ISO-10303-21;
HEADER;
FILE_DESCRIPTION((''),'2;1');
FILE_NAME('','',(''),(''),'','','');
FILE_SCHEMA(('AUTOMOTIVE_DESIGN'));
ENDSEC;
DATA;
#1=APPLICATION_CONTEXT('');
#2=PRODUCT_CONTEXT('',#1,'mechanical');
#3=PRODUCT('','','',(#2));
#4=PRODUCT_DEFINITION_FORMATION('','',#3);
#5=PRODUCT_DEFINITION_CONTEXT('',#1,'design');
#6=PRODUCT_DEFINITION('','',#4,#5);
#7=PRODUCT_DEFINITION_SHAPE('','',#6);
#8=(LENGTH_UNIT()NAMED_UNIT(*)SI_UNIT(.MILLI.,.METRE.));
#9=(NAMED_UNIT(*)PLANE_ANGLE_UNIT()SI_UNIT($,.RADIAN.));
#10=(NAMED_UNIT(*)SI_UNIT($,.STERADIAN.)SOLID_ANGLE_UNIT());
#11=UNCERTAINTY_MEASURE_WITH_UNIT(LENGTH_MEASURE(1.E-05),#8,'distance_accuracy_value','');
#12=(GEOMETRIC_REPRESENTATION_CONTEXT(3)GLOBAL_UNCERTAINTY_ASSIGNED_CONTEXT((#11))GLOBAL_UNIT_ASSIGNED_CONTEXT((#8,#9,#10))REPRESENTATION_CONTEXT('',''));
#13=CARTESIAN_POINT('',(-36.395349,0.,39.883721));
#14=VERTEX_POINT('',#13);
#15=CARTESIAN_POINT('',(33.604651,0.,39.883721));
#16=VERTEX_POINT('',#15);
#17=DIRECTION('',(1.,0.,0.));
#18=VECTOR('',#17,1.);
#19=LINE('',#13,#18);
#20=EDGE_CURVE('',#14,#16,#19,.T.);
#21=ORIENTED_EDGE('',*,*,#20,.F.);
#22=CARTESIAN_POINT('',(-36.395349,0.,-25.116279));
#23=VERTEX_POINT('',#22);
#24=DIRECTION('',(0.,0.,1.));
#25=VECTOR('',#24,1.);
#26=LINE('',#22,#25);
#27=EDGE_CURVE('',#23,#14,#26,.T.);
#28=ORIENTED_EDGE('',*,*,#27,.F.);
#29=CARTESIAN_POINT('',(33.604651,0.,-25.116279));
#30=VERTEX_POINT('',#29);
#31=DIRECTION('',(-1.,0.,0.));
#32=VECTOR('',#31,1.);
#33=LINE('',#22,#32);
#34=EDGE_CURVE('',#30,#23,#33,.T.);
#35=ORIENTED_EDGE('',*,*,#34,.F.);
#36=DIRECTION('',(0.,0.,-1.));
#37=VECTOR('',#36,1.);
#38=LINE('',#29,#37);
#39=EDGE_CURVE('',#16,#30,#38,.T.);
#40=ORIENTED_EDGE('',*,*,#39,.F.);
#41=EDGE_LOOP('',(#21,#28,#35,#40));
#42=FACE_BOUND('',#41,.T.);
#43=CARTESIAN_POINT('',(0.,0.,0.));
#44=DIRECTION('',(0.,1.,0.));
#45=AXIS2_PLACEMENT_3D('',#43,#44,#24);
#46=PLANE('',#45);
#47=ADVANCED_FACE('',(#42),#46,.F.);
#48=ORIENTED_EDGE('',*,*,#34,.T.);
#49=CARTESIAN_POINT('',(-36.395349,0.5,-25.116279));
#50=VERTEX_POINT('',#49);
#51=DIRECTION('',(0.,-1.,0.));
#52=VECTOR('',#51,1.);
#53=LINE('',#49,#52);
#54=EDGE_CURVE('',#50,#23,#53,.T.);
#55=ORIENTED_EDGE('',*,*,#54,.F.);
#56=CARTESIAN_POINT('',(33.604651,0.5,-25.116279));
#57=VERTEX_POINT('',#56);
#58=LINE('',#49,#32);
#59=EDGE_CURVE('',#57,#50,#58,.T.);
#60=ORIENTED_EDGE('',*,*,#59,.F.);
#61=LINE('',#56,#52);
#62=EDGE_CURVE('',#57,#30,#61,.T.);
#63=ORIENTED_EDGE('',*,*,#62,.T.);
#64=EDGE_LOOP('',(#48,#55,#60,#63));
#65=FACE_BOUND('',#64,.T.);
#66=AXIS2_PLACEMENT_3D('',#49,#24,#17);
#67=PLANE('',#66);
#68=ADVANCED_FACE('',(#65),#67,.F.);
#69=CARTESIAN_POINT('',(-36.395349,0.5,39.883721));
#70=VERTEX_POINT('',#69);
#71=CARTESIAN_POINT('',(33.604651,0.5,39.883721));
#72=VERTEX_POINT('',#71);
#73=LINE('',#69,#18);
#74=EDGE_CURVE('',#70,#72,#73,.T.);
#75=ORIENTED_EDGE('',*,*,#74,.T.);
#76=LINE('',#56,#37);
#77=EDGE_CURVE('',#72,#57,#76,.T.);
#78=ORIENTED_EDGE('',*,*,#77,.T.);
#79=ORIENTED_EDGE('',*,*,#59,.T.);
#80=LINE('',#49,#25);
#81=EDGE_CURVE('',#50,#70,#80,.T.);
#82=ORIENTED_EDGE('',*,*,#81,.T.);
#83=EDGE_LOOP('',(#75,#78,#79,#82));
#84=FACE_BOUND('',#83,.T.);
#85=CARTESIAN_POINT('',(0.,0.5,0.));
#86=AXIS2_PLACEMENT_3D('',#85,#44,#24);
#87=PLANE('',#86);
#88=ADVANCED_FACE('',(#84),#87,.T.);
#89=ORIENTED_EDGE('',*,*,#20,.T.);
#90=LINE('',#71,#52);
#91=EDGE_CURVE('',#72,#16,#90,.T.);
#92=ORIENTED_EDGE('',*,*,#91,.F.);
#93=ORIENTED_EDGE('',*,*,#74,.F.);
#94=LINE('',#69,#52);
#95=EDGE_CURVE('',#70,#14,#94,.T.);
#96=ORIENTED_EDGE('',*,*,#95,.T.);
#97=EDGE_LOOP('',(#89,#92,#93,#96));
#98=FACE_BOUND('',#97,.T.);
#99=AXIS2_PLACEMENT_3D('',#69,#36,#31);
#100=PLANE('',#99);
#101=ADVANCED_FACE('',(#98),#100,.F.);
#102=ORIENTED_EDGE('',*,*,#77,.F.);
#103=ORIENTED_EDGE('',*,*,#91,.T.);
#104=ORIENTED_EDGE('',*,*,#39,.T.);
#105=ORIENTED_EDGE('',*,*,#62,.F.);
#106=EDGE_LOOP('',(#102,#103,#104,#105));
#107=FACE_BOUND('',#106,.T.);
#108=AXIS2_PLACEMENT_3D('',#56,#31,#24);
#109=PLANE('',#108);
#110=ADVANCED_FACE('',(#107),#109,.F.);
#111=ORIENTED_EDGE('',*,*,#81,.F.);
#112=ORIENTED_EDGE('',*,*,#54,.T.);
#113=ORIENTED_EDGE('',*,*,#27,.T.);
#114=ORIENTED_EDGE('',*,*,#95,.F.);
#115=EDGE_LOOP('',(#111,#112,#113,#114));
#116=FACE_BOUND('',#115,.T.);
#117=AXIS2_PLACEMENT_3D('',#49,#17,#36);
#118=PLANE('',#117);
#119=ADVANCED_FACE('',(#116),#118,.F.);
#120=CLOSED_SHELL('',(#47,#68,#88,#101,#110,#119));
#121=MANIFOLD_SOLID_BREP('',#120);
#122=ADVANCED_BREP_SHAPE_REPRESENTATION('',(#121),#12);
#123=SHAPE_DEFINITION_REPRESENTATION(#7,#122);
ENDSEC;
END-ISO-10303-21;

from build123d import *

# Parameters (mm, degrees)
SKETCH2_W           = 70
SKETCH2_H           = 65
BOSS_EXTRUDE1_DEPTH = 0.5


with BuildPart() as part:
    # Sketch2 → Boss-Extrude1 (new body)
    with BuildSketch(Plane(origin=(0, 0, 0), x_dir=(1, 0, 0), z_dir=(0, 1, 0))):
        with Locations((-1.395348837, -7.38372093)):
            Rectangle(SKETCH2_W, SKETCH2_H)
    extrude(amount=BOSS_EXTRUDE1_DEPTH)


solid = part.part
